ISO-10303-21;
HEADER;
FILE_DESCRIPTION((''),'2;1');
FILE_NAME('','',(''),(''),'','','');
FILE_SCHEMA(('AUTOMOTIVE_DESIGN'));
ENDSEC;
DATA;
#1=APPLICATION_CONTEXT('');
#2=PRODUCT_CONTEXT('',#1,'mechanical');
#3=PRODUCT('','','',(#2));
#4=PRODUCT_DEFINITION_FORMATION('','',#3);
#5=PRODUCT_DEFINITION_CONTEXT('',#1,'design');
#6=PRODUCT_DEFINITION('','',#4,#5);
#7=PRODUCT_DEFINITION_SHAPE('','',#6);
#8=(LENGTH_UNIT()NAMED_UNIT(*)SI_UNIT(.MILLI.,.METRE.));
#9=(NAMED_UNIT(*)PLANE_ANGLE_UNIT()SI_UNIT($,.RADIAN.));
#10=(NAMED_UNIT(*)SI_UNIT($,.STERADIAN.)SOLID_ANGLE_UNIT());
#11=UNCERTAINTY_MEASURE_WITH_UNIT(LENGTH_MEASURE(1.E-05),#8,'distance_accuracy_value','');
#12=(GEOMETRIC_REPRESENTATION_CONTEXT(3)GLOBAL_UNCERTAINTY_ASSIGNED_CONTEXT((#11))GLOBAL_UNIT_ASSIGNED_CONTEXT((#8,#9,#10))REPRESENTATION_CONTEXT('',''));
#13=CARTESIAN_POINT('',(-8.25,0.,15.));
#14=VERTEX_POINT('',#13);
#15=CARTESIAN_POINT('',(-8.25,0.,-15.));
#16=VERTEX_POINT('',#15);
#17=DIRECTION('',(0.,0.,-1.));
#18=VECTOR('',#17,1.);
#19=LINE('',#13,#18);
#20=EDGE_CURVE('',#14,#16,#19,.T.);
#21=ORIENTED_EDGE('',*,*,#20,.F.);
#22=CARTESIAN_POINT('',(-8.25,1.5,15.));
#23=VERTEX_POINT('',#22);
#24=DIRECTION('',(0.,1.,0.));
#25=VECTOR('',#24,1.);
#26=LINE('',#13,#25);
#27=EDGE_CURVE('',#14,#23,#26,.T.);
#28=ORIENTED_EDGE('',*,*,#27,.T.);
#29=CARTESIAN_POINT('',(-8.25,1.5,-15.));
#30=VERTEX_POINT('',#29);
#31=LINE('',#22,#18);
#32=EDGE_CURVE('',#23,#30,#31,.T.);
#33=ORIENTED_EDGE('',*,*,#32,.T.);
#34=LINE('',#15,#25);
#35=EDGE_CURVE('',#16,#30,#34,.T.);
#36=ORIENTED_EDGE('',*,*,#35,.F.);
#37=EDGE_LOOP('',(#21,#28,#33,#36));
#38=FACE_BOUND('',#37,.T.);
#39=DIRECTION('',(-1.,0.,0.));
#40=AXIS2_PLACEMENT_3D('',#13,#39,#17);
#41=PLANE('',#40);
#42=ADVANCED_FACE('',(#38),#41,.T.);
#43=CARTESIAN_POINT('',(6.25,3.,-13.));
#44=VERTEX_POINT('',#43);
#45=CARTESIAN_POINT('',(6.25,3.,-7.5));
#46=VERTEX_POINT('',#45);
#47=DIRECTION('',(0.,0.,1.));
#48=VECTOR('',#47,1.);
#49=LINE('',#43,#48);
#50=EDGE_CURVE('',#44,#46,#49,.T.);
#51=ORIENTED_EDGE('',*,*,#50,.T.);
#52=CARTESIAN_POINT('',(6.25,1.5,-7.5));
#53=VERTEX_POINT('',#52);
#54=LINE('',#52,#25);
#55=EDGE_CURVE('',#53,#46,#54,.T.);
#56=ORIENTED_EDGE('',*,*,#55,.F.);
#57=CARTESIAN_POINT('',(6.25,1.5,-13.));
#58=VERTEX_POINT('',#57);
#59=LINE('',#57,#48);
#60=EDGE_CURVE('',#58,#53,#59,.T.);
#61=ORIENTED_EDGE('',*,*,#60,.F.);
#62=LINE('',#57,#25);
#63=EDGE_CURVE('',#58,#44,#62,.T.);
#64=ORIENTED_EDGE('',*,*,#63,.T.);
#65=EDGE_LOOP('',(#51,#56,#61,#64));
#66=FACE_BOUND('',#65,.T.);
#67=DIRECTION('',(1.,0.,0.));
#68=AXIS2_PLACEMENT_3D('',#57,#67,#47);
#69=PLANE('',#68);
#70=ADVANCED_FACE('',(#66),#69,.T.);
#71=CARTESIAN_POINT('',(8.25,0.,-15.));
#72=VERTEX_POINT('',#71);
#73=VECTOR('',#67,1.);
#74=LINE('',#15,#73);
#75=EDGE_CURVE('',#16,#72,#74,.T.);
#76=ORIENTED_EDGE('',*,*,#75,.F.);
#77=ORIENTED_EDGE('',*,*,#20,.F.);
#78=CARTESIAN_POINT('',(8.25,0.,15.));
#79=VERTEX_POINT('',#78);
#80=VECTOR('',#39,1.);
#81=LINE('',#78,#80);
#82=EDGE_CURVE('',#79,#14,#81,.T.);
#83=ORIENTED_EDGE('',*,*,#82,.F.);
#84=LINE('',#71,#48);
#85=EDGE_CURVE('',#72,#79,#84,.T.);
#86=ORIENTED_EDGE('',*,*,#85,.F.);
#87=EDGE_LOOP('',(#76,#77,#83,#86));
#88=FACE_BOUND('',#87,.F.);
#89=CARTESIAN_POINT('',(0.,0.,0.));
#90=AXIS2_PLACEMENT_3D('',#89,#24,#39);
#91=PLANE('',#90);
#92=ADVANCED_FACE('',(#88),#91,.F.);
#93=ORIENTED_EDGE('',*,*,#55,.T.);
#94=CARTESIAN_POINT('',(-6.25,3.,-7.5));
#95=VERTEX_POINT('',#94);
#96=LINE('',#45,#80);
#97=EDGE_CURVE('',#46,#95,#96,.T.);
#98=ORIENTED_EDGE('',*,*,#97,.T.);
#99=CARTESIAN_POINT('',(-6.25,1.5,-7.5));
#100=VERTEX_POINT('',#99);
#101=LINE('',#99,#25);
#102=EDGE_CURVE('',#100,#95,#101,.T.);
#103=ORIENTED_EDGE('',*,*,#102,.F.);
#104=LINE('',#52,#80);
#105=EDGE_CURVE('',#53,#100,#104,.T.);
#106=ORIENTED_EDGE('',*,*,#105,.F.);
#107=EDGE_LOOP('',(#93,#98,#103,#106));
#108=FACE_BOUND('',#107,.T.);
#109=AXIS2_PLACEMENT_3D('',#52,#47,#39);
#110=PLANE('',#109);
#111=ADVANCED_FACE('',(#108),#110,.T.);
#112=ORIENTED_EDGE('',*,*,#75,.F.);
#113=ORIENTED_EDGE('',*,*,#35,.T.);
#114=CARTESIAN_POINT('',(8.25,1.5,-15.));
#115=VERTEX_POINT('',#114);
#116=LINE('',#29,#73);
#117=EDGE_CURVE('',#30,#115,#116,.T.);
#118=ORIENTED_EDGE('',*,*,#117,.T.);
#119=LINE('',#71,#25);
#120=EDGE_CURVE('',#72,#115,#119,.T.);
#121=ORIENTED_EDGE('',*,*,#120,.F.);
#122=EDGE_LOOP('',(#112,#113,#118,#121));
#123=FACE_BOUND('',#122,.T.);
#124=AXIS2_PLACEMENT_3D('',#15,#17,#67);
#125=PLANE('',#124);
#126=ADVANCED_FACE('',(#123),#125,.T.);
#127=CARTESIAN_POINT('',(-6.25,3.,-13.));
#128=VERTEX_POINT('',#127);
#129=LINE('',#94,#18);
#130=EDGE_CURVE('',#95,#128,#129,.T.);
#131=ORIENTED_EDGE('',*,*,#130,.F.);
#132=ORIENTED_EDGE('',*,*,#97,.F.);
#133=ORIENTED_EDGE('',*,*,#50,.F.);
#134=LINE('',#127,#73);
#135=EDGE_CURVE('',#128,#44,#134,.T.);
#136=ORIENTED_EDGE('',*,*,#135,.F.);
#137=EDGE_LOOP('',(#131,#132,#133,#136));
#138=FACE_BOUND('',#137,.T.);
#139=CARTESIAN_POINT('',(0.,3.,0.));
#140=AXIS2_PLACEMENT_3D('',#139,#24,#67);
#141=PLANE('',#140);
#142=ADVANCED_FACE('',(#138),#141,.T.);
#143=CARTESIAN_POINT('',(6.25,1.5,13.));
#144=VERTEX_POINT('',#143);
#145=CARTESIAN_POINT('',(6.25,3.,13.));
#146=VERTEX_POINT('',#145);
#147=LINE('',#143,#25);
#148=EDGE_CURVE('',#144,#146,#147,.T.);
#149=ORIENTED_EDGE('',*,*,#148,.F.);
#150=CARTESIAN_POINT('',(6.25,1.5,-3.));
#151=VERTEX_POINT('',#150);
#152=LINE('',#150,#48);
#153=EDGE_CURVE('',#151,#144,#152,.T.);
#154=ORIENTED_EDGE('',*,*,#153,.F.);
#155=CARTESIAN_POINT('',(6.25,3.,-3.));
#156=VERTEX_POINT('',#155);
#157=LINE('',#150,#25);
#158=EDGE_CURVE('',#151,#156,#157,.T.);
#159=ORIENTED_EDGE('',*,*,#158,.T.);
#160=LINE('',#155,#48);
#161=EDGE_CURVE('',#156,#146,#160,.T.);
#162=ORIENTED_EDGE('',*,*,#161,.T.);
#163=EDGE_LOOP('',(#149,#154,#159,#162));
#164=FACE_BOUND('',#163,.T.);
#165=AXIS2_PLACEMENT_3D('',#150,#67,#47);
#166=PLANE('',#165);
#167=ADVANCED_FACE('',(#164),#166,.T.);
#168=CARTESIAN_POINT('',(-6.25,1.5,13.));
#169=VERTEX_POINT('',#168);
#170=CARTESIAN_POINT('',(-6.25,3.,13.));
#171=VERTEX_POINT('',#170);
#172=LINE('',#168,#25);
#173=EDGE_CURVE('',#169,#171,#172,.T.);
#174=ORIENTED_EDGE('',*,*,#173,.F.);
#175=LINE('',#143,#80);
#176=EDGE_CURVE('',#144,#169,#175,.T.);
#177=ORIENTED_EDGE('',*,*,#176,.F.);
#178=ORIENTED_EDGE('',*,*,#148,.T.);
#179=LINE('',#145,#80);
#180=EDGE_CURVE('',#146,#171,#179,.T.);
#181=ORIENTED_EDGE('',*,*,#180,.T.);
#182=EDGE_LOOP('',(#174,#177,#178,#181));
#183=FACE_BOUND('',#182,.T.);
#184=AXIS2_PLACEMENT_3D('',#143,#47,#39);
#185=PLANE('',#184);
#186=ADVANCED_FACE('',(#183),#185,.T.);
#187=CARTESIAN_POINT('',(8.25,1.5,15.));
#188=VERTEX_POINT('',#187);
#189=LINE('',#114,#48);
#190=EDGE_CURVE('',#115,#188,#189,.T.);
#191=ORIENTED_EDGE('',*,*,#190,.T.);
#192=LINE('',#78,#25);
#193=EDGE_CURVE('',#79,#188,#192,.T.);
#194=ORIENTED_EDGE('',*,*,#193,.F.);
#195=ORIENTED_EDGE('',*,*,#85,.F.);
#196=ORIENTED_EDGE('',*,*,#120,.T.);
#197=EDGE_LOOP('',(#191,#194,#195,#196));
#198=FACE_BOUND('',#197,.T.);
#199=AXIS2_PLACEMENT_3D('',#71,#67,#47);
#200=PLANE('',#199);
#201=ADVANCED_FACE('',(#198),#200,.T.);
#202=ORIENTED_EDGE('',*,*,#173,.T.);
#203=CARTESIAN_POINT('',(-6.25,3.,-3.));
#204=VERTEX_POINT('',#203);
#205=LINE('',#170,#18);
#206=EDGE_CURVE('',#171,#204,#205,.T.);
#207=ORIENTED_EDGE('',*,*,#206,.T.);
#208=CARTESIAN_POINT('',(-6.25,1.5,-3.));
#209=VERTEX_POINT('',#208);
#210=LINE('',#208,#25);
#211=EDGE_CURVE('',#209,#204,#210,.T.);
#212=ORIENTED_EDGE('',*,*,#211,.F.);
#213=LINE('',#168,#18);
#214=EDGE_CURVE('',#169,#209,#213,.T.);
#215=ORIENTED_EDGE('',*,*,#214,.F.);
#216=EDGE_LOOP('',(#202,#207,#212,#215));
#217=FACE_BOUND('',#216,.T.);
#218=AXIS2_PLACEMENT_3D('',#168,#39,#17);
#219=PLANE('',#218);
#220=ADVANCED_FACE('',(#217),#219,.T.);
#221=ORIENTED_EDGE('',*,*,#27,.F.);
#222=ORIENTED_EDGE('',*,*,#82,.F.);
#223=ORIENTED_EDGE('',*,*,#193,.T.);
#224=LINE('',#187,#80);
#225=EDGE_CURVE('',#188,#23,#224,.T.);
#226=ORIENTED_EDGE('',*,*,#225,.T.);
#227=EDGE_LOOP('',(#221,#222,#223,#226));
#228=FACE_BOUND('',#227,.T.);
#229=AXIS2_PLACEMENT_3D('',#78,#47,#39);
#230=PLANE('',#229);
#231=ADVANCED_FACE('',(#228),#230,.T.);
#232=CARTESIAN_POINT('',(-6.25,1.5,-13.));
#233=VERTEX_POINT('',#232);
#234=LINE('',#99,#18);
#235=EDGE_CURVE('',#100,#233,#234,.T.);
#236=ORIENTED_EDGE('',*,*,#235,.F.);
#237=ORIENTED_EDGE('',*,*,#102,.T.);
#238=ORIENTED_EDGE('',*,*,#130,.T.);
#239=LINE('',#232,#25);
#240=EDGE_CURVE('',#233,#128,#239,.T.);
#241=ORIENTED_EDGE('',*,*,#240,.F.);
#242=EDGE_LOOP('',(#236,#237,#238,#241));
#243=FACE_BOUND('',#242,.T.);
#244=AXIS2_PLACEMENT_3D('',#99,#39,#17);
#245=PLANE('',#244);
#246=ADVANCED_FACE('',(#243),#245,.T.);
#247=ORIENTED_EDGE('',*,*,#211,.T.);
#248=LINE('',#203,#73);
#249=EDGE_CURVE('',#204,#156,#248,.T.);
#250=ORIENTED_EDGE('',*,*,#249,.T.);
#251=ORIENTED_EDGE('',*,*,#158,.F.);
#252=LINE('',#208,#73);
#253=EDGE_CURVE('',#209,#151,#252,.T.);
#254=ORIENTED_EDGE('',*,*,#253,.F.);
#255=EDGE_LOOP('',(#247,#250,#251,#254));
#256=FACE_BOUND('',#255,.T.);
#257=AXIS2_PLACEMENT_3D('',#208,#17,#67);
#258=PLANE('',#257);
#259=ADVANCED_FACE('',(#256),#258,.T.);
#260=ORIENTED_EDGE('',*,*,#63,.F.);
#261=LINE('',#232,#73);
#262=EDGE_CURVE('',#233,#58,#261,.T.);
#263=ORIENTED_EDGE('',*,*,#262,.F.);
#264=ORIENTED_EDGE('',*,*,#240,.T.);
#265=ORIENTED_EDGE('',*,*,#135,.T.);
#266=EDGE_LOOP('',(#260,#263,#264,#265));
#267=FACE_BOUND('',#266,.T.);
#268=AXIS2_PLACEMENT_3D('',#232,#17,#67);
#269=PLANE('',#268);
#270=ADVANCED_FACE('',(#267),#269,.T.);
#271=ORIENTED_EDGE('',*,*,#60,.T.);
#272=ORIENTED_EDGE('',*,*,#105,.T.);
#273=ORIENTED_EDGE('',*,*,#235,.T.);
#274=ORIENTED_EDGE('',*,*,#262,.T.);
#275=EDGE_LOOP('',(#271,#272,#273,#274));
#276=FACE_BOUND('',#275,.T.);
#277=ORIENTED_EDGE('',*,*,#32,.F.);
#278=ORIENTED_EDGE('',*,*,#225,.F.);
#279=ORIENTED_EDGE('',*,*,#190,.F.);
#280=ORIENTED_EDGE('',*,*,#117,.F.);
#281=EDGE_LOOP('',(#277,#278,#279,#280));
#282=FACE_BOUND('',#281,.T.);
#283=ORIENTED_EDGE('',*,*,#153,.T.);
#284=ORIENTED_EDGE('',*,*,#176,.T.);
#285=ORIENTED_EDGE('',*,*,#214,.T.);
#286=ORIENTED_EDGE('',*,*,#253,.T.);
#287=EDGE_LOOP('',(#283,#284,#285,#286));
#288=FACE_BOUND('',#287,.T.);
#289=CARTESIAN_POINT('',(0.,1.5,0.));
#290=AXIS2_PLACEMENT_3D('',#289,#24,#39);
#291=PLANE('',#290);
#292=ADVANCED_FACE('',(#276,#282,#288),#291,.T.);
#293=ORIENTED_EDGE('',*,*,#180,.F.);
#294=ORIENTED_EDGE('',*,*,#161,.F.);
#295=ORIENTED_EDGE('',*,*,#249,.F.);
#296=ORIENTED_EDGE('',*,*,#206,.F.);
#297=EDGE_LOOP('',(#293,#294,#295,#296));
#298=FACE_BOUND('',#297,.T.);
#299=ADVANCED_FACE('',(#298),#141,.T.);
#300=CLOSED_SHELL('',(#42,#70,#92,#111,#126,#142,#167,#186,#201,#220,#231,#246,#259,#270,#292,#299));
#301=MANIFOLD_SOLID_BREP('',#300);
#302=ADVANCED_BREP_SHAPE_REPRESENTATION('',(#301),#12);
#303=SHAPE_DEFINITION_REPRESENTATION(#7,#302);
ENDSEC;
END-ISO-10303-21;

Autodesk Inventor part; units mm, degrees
ref_plane "YZ Plane" through (0, 0, 0) normal (1, 0, 0) x (0, 1, 0)
ref_plane "XZ Plane" through (0, 0, 0) normal (0, 1, 0) x (-1, 0, 0)
ref_plane "XY Plane" through (0, 0, 0) normal (0, 0, 1) x (1, 0, 0)
sketch "Sketch1" plane through (0, 0, 0) normal (0, 1, 0) x (-1, 0, 0)
  line L0 (-8.25, 15) -> (8.25, 15)
  line L1 (8.25, 15) -> (8.25, -15)
  line L2 (8.25, -15) -> (-8.25, -15)
  line L3 (-8.25, -15) -> (-8.25, 15)
  line L4 (-8.25, 15) -> (8.25, -15) construction
  line L5 (8.25, 15) -> (-8.25, -15) construction
  point P0 (0, 0)
  dimension "d0" = 16.5
  dimension "d1" = 30
extrude "Extrusion1" add sketch "Sketch1" along normal blind 1.5
sketch "Sketch2" plane through (0, 1.5, 0) normal (0, 1, 0) x (1, 0, 0)
  line L0 (6.25, -13) -> (-6.25, -13)
  line L1 (-6.25, -13) -> (-6.25, 3)
  line L2 (-6.25, 3) -> (6.25, 3)
  line L3 (6.25, 3) -> (6.25, -13)
  line L4 (6.25, -13) -> (-6.25, 3) construction
  line L5 (-6.25, -13) -> (6.25, 3) construction
  line L6 (6.25, 7.5) -> (-6.25, 7.5)
  line L7 (-6.25, 7.5) -> (-6.25, 13)
  line L8 (-6.25, 13) -> (6.25, 13)
  line L9 (6.25, 13) -> (6.25, 7.5)
  line L10 (6.25, 7.5) -> (-6.25, 13) construction
  line L11 (-6.25, 7.5) -> (6.25, 13) construction
  line L12 (-8.25, -15) -> (8.25, -15) projected
  line L13 (-8.25, 15) -> (-8.25, -15) projected
  line L14 (8.25, 15) -> (-8.25, 15) projected
  point P0 (0, 0)
  point P1 (0, -5)
  point P2 (0, 10.25)
  point P3 (0, -5)
  point P4 (0, 10.25)
  dimension "d4" = 2
  dimension "d5" = 2
  dimension "d6" = 16
  dimension "d7" = 2
  dimension "d8" = 5.5
extrude "Extrusion2" add sketch "Sketch2" along normal blind 1.5
equation "\"d5\" = d4"
equation "\"d7\" = d4"
properties part number "Colorimeter_Seal_Illumination"
